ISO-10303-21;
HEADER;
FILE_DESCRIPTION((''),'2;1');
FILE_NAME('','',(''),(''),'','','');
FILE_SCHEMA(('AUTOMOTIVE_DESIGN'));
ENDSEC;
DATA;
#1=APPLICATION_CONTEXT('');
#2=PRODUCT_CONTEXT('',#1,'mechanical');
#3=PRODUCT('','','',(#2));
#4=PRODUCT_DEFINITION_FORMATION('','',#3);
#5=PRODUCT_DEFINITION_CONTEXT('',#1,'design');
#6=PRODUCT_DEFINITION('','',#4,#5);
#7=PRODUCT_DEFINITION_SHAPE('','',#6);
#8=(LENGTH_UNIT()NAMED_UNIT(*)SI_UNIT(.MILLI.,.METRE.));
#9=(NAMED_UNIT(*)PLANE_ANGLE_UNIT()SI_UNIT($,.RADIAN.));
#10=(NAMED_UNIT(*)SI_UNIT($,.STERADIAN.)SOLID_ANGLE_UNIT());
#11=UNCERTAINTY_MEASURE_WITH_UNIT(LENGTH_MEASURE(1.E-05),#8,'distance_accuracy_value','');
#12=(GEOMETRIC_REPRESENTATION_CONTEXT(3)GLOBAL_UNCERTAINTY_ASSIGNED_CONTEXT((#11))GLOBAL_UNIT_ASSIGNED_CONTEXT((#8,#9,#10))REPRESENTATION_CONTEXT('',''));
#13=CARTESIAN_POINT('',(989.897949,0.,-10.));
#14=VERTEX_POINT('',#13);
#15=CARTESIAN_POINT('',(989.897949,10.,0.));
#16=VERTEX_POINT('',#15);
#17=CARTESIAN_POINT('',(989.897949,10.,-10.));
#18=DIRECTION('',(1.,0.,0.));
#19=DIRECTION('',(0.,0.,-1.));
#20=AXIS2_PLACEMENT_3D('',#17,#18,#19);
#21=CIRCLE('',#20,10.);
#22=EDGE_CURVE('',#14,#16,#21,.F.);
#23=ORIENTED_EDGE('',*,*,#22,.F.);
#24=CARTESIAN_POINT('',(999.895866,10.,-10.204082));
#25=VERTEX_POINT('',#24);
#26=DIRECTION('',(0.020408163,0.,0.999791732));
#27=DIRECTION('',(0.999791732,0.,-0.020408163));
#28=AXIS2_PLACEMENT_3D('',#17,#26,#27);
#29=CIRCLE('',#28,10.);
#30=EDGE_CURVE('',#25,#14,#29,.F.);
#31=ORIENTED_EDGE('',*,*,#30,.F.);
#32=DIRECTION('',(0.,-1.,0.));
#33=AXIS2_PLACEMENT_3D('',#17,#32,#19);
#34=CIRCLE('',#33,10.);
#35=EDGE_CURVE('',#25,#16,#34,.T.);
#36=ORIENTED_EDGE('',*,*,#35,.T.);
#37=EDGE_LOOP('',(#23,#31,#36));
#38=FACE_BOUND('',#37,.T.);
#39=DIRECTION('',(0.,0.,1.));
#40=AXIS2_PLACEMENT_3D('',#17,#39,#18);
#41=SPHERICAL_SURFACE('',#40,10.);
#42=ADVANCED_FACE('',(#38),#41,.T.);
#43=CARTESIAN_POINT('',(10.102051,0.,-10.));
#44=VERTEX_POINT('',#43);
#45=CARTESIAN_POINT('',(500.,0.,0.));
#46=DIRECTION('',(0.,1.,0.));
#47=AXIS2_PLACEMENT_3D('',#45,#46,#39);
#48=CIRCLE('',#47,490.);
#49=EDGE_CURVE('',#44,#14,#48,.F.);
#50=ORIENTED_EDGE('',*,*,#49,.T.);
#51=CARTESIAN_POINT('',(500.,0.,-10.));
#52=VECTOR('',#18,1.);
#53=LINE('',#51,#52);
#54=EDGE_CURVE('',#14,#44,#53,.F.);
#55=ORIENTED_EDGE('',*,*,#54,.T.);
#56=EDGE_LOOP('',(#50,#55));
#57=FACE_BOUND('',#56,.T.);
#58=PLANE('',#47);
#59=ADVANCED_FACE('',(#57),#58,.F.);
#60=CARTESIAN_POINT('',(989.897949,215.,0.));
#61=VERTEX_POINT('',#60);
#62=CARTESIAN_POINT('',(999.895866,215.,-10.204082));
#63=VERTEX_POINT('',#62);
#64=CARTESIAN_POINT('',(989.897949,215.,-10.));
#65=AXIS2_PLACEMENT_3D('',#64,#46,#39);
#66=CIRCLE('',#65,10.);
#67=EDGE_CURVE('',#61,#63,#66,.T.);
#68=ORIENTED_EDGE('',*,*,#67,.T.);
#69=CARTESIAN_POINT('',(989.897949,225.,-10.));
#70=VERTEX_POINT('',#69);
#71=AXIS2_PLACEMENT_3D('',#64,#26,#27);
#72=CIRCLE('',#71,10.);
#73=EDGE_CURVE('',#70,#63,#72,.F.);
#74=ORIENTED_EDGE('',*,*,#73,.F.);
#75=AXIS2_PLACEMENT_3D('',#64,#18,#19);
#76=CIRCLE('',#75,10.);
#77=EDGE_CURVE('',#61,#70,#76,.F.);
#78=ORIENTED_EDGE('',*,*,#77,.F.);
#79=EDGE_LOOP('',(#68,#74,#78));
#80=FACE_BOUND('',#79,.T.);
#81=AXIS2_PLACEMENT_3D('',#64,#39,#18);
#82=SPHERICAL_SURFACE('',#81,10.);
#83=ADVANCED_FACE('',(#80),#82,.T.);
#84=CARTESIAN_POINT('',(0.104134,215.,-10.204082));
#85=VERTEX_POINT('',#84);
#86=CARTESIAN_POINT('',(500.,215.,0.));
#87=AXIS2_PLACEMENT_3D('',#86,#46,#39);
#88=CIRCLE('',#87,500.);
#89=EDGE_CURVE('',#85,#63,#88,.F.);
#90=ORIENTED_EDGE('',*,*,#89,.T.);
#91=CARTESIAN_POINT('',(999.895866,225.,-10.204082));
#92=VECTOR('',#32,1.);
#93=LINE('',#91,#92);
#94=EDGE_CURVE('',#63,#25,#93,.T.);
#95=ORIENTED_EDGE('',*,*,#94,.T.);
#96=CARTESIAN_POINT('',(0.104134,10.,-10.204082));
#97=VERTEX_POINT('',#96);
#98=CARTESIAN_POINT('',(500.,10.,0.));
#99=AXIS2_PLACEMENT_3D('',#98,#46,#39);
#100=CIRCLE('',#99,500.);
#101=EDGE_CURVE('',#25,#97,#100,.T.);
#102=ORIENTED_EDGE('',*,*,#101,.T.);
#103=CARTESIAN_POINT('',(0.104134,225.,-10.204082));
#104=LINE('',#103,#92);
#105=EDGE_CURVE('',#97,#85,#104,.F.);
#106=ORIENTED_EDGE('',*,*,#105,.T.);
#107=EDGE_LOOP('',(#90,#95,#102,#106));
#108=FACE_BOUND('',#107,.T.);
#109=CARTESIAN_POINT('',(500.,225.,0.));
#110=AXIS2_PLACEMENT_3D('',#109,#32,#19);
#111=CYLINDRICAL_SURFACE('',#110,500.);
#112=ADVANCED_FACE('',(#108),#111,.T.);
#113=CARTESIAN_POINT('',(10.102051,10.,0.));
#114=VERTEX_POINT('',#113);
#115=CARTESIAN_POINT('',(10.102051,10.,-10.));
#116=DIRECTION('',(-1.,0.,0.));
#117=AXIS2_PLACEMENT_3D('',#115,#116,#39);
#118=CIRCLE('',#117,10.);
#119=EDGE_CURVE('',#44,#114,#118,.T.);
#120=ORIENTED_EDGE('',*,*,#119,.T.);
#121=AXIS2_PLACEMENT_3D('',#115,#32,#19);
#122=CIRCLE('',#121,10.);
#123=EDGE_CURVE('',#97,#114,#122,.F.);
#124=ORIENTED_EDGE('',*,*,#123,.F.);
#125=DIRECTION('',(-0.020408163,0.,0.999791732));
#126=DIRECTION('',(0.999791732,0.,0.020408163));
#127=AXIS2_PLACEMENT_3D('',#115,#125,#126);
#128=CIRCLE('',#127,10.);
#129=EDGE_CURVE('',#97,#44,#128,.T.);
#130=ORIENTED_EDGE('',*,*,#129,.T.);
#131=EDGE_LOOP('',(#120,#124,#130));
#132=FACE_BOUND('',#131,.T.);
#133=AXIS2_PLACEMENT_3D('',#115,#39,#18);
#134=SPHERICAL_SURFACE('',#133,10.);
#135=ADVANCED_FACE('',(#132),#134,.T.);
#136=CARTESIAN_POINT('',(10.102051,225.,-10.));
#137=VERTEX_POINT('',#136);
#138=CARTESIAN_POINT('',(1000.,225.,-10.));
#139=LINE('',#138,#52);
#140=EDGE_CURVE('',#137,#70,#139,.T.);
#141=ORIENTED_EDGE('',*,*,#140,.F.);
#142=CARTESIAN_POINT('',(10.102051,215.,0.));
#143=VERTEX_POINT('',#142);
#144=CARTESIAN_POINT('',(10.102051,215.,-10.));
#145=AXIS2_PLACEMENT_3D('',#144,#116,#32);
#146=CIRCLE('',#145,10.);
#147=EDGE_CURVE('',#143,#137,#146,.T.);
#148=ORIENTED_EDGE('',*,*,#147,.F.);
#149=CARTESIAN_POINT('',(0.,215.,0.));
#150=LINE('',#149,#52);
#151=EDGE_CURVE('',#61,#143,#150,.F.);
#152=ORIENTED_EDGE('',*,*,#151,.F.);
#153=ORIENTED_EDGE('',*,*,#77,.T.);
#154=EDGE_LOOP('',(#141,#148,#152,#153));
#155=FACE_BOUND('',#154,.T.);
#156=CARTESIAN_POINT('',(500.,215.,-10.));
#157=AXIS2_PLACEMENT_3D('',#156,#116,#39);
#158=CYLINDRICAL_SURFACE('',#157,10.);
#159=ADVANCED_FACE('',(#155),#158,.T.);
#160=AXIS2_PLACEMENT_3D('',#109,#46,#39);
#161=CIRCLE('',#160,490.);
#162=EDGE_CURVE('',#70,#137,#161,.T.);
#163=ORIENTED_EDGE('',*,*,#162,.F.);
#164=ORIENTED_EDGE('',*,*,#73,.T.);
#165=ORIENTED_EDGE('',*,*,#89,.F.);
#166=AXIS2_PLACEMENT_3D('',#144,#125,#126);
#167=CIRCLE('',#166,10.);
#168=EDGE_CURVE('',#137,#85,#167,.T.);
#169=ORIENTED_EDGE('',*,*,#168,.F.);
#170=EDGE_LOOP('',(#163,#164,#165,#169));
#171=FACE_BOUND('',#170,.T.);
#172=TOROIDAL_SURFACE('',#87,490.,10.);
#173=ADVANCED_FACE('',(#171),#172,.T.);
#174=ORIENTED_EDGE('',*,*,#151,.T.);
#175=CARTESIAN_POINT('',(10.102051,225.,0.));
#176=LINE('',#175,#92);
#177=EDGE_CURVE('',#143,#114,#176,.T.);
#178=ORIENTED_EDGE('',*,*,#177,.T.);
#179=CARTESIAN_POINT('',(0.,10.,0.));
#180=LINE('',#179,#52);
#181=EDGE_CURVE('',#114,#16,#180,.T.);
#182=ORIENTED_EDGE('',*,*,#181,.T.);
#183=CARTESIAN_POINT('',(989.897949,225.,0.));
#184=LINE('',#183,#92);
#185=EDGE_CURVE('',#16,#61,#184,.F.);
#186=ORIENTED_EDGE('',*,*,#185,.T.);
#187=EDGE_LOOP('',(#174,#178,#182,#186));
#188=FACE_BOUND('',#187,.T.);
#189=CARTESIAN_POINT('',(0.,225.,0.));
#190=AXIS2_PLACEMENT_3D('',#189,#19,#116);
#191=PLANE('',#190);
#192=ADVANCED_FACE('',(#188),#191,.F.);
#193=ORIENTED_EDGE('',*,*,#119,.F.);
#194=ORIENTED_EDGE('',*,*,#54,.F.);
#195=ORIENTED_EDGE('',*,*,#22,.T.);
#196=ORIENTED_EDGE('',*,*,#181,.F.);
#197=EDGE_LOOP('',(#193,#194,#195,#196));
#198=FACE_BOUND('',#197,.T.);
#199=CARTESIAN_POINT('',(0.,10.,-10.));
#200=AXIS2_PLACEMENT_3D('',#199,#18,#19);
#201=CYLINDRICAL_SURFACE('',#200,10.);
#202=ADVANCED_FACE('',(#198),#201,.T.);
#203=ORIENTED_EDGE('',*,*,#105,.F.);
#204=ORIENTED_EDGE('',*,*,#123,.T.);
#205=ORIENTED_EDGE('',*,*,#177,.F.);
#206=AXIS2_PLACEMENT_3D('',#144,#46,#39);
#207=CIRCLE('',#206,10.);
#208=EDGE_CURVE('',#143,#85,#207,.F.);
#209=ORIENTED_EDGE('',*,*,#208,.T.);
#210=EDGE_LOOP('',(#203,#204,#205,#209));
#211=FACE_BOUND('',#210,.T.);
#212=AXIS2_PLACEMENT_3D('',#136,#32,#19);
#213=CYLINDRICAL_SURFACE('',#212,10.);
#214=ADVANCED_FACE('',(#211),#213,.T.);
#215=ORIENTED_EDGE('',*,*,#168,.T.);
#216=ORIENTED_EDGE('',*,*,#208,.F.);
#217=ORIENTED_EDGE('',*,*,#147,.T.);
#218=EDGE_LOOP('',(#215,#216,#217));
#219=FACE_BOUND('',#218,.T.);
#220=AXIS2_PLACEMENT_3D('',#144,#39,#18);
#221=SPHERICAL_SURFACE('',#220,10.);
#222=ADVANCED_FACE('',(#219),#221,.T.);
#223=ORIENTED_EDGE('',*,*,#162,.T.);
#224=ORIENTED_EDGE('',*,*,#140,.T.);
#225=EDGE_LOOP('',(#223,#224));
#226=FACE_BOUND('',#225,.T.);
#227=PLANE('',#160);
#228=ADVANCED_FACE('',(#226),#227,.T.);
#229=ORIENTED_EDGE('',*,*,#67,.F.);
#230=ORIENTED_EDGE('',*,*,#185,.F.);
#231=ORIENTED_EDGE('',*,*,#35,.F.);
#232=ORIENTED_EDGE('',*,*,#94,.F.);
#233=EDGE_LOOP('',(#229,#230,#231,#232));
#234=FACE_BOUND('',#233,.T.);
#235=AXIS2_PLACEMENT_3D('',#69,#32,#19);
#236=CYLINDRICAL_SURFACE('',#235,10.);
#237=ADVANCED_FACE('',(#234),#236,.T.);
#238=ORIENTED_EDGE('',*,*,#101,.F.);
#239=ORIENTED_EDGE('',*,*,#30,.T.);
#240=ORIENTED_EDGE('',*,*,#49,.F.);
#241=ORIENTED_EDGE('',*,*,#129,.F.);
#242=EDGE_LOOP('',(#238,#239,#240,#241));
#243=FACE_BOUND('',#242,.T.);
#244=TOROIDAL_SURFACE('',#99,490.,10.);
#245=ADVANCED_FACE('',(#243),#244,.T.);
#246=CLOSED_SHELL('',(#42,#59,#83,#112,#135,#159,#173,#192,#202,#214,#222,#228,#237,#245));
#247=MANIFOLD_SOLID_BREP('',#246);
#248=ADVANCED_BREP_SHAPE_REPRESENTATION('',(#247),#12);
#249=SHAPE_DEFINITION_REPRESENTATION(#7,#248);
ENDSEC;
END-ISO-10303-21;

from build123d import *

# Parameters (mm, degrees)
BOSS_EXTRUDE1_DEPTH = 225
FILLET1_R           = 10


with BuildPart() as part:
    # Sketch1 → Boss-Extrude1 (new body)
    with BuildSketch(Plane(origin=(0, 0, 0), x_dir=(1, 0, 0), z_dir=(0, 1, 0))):
        with BuildLine():
            Line((0, 0), (1000, 0))
            ThreePointArc((1000, 0), (500, 500), (0, 0))
        make_face()
    extrude(amount=BOSS_EXTRUDE1_DEPTH)

    # Fillet1
    fillet1_edges = [part.edges().sort_by_distance(p)[0] for p in [
        (500, 0, 0),
        (500, 0, -500),
        (1000, 112.5, 0),
        (0, 112.5, 0),
        (500, 225, -500),
        (500, 225, 0),
    ]]
    fillet(fillet1_edges, radius=FILLET1_R)


solid = part.part
